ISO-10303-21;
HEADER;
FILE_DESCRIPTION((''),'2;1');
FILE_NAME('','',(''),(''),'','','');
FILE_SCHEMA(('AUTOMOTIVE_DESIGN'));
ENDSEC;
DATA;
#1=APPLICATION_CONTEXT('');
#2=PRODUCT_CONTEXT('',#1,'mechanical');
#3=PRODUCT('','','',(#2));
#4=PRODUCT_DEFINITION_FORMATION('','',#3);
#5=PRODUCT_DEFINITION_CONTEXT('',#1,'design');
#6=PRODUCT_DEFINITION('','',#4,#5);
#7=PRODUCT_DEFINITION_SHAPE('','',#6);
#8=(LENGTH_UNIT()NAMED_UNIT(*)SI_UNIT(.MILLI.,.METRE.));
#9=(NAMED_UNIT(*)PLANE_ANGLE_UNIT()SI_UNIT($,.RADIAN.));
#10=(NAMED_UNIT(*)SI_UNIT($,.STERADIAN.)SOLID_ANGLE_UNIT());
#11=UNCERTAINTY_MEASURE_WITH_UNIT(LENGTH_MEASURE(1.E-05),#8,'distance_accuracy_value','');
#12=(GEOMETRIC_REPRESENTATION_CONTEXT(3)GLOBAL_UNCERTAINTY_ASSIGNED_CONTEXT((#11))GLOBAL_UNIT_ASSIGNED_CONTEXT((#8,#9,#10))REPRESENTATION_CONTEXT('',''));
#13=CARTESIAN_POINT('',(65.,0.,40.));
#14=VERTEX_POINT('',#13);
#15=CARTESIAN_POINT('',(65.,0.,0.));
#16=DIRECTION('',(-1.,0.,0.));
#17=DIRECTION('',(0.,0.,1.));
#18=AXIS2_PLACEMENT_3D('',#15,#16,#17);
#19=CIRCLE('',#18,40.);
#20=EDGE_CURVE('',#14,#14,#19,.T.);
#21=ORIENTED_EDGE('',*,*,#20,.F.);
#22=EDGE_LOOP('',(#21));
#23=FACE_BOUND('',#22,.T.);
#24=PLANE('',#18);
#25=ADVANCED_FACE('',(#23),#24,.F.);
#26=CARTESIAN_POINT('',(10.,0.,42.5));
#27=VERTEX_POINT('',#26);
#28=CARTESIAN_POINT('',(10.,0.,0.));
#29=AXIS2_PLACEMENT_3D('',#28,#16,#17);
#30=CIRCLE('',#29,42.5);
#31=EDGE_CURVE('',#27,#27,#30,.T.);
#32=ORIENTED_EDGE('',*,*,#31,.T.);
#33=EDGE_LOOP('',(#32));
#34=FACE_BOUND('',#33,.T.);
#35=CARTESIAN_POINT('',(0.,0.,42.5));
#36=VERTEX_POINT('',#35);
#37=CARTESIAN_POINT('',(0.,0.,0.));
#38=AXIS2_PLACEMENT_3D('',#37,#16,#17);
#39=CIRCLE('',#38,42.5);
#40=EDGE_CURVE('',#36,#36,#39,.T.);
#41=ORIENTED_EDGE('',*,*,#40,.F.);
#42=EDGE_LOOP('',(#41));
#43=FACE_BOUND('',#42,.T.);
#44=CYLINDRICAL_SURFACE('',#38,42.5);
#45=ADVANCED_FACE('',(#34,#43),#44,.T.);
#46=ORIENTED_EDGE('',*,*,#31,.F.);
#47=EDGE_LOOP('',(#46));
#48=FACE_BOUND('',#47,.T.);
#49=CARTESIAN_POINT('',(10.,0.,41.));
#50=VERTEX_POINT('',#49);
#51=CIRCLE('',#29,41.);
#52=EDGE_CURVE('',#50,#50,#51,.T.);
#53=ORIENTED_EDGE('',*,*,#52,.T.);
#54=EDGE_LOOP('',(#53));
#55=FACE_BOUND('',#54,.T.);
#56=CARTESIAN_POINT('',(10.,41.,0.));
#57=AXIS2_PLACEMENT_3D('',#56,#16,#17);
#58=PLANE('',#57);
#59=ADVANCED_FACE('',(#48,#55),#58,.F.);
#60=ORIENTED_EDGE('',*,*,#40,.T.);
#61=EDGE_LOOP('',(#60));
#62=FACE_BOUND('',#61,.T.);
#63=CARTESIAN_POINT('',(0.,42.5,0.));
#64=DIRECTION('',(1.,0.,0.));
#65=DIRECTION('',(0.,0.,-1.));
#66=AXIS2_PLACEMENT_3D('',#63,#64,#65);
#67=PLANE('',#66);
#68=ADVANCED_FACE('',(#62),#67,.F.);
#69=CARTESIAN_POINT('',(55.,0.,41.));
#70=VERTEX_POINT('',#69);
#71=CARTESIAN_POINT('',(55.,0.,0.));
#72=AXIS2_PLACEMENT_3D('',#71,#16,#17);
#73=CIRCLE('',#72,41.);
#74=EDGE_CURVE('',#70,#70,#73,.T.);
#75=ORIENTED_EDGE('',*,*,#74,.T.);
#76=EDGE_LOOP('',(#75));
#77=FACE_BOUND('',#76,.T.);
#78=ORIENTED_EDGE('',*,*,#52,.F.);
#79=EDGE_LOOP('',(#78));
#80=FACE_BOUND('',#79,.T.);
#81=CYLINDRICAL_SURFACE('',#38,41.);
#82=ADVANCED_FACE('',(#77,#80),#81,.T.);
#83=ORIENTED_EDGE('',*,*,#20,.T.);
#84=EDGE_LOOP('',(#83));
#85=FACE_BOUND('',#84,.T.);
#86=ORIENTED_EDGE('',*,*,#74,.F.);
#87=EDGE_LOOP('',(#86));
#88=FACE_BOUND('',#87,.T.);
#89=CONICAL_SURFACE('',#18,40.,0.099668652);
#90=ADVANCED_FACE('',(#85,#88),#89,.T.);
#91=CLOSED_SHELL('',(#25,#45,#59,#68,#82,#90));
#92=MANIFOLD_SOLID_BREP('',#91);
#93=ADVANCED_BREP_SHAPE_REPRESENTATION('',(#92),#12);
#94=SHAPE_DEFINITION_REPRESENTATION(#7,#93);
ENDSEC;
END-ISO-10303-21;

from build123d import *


with BuildPart() as part:
    # Sketch1 → Revolve1 (revolve)
    with BuildSketch(Plane.XY):
        Polygon((65, 0), (65, 40), (55, 41), (10, 41), (10, 42.5), (0, 42.5), (0, 0), align=None)
    revolve(axis=Axis((0, 0, 0), (1, 0, 0)))


solid = part.part
